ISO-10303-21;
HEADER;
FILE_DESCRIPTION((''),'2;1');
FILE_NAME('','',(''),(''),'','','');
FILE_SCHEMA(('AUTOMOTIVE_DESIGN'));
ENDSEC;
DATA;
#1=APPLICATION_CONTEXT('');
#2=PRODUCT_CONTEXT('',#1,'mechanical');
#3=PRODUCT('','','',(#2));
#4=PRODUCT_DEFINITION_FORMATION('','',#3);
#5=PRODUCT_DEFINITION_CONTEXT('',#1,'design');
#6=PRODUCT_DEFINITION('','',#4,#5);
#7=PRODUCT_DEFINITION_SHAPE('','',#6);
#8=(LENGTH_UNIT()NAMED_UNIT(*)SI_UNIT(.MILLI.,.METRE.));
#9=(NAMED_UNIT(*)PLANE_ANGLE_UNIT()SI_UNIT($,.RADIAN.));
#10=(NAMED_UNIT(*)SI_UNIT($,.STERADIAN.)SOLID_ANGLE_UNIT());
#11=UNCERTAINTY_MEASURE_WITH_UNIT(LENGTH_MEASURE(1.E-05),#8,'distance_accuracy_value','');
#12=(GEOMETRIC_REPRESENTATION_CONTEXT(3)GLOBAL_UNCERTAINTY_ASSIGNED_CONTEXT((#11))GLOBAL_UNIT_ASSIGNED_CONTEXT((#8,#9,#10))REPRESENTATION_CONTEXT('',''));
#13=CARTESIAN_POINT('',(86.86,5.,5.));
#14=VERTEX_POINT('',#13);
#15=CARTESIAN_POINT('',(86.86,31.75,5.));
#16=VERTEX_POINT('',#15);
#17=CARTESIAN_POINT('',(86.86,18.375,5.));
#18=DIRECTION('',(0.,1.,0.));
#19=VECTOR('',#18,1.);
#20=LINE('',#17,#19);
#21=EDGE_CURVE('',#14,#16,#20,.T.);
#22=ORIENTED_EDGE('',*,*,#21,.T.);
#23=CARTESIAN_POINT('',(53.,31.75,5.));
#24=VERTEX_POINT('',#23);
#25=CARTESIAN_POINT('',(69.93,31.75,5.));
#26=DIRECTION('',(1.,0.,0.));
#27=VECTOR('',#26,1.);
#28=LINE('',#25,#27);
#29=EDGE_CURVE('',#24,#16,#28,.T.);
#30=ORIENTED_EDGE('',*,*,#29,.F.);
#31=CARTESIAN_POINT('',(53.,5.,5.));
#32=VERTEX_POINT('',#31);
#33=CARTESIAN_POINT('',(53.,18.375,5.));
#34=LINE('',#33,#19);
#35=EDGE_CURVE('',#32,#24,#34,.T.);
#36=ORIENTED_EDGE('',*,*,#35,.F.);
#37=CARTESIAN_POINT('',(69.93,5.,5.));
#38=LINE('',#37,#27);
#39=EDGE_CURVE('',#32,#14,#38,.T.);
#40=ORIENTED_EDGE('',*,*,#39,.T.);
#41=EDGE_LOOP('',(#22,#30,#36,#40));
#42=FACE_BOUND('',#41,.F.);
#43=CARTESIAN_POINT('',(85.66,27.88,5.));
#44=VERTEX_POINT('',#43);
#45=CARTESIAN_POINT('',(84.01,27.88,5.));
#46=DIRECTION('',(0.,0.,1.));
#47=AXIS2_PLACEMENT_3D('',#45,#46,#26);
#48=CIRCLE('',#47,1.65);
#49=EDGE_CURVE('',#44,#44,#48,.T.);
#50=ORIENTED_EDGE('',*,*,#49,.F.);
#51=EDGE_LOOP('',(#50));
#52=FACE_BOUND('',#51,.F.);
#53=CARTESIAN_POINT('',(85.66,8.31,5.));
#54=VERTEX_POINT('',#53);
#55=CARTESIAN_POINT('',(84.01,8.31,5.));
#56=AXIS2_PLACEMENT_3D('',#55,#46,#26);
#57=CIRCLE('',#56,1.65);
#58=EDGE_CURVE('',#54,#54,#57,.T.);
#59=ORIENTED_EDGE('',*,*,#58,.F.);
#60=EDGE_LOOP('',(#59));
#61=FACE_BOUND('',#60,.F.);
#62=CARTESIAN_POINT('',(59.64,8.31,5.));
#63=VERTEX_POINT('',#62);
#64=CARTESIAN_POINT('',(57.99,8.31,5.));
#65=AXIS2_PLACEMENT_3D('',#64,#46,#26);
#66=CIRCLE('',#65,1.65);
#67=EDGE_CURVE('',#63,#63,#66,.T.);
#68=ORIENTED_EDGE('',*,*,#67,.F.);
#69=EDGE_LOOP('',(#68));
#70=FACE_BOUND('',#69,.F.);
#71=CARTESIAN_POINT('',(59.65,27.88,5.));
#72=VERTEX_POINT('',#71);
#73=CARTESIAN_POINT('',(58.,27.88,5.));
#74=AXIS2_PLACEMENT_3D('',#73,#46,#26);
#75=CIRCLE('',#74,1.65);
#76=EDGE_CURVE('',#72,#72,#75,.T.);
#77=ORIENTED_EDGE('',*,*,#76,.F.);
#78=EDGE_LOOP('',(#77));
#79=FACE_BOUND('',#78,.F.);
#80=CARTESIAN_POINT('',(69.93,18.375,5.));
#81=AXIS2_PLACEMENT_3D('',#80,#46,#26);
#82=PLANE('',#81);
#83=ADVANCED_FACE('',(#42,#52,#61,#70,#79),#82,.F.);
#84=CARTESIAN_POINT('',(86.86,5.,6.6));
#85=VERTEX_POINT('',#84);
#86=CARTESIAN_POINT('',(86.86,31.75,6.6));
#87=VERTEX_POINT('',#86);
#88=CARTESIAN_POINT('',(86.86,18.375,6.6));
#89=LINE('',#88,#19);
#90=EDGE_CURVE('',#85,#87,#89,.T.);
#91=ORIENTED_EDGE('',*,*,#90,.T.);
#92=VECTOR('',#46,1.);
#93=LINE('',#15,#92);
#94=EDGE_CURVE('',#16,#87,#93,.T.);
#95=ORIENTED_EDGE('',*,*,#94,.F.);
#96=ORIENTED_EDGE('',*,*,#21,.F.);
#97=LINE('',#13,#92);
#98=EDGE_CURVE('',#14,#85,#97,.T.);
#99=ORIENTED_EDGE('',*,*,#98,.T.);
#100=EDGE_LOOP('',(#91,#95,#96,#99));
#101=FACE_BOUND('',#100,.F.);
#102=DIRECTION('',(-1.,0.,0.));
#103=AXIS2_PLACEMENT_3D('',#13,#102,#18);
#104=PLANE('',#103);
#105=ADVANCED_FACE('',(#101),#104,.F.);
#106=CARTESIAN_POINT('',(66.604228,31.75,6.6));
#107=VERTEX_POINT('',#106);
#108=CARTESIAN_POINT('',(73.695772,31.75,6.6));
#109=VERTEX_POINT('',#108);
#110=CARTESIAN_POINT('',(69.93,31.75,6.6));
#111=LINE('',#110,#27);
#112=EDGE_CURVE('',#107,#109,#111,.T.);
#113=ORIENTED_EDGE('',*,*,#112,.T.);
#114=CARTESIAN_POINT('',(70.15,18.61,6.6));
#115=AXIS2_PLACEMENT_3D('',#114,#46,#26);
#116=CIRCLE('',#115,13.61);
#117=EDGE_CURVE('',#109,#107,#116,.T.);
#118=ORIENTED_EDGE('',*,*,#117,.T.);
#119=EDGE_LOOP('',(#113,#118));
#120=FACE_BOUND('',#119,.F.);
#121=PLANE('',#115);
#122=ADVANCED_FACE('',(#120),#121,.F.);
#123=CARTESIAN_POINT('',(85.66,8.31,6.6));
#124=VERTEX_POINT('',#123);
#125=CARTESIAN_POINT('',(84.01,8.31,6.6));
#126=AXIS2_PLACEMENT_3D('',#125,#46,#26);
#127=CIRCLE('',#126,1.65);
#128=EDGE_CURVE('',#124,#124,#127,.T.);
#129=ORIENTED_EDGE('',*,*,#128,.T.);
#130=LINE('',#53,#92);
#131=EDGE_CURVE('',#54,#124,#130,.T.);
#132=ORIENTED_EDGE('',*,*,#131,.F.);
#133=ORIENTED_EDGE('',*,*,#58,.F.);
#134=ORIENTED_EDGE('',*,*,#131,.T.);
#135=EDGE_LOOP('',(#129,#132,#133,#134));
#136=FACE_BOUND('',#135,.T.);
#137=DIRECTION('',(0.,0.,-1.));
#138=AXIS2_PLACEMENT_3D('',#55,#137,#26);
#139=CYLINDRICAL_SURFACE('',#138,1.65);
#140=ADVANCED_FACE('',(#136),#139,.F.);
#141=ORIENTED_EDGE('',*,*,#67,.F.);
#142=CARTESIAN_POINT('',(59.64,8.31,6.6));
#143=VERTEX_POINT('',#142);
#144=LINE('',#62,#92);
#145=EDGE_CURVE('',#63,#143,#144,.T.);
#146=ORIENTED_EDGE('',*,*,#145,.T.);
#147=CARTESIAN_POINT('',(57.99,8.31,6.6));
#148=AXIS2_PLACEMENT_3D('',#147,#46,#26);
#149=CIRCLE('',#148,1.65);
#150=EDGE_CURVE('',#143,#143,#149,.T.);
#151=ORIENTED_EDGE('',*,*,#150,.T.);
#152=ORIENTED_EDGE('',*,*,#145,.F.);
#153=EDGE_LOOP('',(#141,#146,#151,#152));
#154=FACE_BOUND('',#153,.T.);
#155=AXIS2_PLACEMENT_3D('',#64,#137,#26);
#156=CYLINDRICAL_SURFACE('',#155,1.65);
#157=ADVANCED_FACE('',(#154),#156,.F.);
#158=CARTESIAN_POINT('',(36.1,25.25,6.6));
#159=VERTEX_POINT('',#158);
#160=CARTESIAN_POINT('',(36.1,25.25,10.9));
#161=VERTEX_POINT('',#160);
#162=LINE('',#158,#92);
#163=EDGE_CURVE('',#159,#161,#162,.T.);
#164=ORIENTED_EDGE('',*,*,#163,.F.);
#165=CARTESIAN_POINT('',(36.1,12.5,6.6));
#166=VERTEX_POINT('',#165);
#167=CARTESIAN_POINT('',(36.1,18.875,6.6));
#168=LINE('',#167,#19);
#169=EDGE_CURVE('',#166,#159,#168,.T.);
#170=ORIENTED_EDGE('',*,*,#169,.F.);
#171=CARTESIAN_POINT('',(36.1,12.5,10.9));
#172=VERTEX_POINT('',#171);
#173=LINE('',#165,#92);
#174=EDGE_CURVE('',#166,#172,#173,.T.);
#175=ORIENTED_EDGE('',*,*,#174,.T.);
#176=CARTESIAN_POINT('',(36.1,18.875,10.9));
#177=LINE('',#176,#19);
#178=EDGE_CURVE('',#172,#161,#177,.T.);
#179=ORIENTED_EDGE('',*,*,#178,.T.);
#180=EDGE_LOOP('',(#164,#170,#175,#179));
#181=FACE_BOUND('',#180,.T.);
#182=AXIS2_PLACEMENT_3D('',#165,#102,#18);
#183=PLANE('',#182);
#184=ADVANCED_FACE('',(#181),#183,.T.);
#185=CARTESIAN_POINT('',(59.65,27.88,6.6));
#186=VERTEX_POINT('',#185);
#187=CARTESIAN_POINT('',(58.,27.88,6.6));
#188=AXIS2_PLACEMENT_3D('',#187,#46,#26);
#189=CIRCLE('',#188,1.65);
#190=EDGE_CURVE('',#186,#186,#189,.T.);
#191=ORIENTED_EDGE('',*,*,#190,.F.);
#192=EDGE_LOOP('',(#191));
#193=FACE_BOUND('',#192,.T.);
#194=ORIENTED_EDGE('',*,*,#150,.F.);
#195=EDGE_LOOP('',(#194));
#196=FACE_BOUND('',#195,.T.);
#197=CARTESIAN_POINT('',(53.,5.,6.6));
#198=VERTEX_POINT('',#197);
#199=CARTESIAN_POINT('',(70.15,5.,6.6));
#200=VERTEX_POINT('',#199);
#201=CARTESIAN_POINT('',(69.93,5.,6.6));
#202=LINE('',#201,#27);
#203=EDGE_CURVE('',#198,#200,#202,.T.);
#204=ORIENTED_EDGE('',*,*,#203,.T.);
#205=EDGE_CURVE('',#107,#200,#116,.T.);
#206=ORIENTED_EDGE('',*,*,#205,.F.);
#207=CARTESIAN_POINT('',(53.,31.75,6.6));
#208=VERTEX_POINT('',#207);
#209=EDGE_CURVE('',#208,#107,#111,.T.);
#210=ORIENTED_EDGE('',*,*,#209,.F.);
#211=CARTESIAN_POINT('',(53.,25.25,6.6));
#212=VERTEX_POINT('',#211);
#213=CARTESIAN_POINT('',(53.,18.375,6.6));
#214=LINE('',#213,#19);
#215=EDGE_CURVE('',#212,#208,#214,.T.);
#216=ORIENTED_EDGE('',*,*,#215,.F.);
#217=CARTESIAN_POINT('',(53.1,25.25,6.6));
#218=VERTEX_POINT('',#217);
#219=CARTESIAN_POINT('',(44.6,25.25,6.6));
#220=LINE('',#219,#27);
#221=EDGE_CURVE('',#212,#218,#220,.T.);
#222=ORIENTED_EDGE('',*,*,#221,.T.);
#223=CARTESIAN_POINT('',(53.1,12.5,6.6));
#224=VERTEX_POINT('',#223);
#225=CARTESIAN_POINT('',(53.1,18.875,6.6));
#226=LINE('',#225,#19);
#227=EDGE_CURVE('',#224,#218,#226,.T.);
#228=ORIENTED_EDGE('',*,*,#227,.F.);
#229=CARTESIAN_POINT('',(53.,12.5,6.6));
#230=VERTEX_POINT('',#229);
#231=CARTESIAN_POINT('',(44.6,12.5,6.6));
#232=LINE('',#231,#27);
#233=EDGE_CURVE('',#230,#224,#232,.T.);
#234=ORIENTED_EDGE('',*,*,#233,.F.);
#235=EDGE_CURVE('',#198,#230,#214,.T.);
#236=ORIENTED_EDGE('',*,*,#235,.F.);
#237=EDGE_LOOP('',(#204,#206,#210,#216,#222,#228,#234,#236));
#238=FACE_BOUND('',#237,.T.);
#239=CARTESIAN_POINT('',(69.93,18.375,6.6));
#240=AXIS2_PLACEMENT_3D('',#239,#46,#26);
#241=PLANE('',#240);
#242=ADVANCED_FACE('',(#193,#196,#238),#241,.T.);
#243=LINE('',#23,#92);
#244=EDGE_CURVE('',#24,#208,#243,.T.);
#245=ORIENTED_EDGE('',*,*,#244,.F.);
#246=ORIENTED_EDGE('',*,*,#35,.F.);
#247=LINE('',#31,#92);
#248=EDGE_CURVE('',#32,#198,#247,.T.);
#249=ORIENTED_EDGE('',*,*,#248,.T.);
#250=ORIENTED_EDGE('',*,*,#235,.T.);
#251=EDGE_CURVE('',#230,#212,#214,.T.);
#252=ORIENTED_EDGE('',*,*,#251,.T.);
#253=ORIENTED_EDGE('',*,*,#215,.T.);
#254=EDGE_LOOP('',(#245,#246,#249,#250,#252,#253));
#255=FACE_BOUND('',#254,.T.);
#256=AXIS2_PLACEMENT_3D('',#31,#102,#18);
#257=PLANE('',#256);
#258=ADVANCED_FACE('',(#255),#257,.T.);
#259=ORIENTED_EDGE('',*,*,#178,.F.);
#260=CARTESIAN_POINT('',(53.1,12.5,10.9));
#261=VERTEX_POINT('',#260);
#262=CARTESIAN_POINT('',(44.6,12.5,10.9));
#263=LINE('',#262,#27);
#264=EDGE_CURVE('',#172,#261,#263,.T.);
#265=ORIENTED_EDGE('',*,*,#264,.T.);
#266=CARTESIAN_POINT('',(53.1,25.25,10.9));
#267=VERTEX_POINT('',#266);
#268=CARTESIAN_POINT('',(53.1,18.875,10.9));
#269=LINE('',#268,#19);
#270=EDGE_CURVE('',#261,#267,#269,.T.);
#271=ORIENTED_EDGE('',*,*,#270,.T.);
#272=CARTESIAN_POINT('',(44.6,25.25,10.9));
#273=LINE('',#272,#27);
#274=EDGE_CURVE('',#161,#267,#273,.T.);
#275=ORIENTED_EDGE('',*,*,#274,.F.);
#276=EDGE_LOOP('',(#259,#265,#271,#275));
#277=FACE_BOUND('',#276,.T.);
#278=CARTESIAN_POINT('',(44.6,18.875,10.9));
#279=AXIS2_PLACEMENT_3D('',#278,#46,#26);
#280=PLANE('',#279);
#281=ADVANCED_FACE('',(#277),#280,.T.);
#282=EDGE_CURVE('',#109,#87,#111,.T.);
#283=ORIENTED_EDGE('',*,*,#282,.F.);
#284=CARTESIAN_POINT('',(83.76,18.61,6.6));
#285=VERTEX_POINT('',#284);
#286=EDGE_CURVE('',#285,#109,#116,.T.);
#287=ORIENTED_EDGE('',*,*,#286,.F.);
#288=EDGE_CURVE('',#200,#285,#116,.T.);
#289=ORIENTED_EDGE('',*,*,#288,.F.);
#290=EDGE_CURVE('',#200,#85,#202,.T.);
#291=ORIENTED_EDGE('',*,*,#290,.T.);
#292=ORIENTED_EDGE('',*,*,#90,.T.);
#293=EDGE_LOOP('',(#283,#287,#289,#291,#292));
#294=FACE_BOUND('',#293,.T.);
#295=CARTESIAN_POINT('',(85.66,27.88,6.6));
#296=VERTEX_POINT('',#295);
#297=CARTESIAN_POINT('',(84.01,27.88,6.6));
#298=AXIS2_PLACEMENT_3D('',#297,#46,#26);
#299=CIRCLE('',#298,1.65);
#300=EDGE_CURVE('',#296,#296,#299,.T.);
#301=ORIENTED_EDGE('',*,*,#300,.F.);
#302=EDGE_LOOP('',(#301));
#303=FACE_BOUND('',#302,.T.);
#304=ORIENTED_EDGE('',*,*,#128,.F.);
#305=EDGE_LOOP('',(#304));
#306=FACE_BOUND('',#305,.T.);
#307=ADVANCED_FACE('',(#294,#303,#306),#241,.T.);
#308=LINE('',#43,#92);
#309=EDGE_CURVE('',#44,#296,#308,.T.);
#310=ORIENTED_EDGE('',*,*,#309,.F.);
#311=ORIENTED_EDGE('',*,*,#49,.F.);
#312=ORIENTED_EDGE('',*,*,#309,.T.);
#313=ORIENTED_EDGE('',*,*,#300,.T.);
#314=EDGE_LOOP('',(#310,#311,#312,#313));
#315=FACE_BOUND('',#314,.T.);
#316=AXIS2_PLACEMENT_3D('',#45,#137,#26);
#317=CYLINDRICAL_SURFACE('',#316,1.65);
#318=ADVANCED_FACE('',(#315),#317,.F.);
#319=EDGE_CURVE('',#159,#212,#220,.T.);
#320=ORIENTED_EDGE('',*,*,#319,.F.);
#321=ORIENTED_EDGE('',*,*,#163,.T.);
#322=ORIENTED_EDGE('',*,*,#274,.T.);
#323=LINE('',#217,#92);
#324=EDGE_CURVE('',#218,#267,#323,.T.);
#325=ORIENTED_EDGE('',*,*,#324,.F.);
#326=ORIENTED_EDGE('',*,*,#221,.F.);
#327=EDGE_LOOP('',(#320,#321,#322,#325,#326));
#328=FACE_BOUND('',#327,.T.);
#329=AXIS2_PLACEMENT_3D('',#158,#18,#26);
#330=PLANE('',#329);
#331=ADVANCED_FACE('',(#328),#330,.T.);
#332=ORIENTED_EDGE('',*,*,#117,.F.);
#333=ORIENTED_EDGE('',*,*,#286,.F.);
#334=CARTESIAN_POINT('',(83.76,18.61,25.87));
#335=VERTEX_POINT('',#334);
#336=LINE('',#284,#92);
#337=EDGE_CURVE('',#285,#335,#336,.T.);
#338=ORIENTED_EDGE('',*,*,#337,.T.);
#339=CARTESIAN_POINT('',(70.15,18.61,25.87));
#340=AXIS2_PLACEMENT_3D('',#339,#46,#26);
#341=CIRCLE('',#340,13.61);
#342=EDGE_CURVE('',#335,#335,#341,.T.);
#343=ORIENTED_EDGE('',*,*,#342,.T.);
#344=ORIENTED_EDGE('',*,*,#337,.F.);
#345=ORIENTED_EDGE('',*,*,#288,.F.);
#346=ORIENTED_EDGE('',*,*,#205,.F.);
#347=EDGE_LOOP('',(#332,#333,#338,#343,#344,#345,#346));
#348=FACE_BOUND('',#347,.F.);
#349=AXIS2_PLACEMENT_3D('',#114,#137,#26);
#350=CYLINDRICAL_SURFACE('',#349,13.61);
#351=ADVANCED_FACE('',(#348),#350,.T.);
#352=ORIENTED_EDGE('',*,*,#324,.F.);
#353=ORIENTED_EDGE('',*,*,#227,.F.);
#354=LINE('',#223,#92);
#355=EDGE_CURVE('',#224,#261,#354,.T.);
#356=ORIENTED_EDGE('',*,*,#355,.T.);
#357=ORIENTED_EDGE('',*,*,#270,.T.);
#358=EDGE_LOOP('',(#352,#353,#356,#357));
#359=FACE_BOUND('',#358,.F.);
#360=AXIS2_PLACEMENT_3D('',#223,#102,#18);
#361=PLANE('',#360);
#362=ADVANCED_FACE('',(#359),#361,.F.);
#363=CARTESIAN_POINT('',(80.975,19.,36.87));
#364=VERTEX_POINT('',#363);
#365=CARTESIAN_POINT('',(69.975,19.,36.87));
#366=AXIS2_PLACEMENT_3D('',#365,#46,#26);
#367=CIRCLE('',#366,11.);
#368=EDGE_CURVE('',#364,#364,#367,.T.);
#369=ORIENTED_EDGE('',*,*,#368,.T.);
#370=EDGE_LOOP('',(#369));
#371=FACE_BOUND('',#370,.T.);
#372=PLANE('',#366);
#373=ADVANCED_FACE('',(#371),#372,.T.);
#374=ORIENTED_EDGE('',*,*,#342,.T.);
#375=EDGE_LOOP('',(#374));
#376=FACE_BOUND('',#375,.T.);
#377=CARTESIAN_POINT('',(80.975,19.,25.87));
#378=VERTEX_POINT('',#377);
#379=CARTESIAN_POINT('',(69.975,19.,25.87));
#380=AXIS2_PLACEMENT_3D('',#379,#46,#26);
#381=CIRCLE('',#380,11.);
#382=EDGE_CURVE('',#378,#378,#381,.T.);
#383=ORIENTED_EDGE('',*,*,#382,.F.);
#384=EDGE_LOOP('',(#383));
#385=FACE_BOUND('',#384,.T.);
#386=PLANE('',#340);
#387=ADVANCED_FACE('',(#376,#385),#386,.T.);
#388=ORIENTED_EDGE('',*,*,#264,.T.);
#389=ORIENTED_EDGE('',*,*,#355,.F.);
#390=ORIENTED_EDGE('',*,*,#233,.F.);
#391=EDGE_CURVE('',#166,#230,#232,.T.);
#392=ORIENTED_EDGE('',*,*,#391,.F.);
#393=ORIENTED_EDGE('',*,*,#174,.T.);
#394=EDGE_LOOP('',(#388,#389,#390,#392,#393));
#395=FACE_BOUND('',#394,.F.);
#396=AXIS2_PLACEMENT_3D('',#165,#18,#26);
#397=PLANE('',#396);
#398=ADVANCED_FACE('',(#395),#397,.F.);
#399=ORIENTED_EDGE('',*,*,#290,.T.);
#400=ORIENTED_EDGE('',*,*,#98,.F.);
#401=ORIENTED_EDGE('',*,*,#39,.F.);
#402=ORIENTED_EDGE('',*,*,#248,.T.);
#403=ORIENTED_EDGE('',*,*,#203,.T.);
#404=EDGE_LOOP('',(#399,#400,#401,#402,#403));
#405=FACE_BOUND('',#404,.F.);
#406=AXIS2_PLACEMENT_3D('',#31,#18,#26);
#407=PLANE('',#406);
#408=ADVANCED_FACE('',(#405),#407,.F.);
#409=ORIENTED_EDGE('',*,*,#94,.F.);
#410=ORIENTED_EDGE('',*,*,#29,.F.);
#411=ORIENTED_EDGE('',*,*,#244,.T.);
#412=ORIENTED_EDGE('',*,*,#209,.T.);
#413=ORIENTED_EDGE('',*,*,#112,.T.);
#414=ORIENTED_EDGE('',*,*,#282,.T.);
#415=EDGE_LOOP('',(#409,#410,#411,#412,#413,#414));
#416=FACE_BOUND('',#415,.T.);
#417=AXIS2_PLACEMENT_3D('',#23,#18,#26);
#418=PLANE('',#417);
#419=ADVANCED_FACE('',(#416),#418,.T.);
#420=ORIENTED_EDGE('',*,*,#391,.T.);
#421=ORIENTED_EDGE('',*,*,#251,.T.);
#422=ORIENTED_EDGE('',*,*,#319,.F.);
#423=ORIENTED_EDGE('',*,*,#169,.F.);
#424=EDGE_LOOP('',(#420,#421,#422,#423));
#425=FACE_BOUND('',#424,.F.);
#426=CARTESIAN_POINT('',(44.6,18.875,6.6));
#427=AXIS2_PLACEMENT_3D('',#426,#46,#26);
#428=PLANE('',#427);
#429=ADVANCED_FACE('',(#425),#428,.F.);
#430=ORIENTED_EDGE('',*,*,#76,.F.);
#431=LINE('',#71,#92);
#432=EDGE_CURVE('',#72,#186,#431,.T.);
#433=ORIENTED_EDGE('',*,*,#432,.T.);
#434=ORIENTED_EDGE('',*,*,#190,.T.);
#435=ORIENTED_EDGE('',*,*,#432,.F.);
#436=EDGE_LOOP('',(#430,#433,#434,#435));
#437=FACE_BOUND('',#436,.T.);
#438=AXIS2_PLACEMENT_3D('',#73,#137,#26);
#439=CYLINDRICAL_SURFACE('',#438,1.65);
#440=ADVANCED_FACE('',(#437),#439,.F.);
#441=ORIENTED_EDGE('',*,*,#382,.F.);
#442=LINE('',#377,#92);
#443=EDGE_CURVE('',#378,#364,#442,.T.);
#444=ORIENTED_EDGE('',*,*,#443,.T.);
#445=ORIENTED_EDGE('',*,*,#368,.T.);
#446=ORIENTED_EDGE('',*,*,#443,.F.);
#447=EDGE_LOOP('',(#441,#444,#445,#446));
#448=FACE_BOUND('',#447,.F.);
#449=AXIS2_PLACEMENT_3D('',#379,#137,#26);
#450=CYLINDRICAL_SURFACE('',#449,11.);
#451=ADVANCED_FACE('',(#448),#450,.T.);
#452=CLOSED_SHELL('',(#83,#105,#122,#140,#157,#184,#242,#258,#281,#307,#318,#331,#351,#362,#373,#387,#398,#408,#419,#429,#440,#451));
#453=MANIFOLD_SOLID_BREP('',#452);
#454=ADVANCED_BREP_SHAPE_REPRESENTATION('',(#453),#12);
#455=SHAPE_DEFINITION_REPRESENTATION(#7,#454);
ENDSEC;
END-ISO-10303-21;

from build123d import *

# Parameters (mm, degrees)
SKETCH018_R      = 11
EXTRUDE016_DEPTH = 11
SKETCH015_W      = 33.86
SKETCH015_H      = 26.75
SKETCH015_R      = 1.65
EXTRUDE017_DEPTH = 1.6
SKETCH016_W      = 17
SKETCH016_H      = 12.75
EXTRUDE018_DEPTH = 4.3
SKETCH017_R      = 13.61
EXTRUDE015_DEPTH = 19.27


with BuildPart() as extrude_joystick_stick:
    # Sketch018 → Extrude016 (new body)
    with BuildSketch(Plane.XY):
        with Locations((16.975, 14)):
            Circle(SKETCH018_R)
    extrude(amount=EXTRUDE016_DEPTH)


with BuildPart() as extrude_joystick_stick_1:
    # Extrude016 placement: moved
    add(extrude_joystick_stick.part.moved(Location((0, 0, 20.87))))


with BuildPart() as extrude_joystick_base:
    # Sketch015 → Extrude017 (new body)
    with BuildSketch(Plane.XY):
        with Locations((16.93, 13.375)):
            Rectangle(SKETCH015_W, SKETCH015_H)
        with Locations((5, 22.88)):
            Circle(SKETCH015_R, mode=Mode.SUBTRACT)
        with Locations((31.01, 22.88)):
            Circle(SKETCH015_R, mode=Mode.SUBTRACT)
        with Locations((4.99, 3.31)):
            Circle(SKETCH015_R, mode=Mode.SUBTRACT)
        with Locations((31.01, 3.31)):
            Circle(SKETCH015_R, mode=Mode.SUBTRACT)
    extrude(amount=EXTRUDE017_DEPTH)


with BuildPart() as extrude_joystick_connector:
    # Sketch016 → Extrude018 (new body)
    with BuildSketch(Plane.XY):
        with Locations((-8.5, 13.875)):
            Rectangle(SKETCH016_W, SKETCH016_H)
    extrude(amount=EXTRUDE018_DEPTH)


with BuildPart() as extrude_joystick_connector_1:
    # Extrude018 placement: moved
    add(extrude_joystick_connector.part.moved(Location((0.1, 0, 1.6))))


with BuildPart() as fusion_joystick_connector:
    # Sketch017 → Extrude015 (new body)
    with BuildSketch(Plane.XY):
        with Locations((17.15, 13.61)):
            Circle(SKETCH017_R)
    extrude(amount=EXTRUDE015_DEPTH)


with BuildPart() as fusion_joystick_connector_1:
    # Extrude015 placement: moved
    add(fusion_joystick_connector.part.moved(Location((0, 0, 1.6))))

    # Fusion005: union Extrude_JoyStick_Stick, Extrude_JoyStick_base, Extrude_JoyStick_connector
    add(extrude_joystick_stick_1.part)
    add(extrude_joystick_base.part)
    add(extrude_joystick_connector_1.part)


with BuildPart() as fusion_joystick_connector_2:
    # Fusion005 placement: moved
    add(fusion_joystick_connector_1.part.moved(Location((53, 5, 5))))


solid = fusion_joystick_connector_2.part
